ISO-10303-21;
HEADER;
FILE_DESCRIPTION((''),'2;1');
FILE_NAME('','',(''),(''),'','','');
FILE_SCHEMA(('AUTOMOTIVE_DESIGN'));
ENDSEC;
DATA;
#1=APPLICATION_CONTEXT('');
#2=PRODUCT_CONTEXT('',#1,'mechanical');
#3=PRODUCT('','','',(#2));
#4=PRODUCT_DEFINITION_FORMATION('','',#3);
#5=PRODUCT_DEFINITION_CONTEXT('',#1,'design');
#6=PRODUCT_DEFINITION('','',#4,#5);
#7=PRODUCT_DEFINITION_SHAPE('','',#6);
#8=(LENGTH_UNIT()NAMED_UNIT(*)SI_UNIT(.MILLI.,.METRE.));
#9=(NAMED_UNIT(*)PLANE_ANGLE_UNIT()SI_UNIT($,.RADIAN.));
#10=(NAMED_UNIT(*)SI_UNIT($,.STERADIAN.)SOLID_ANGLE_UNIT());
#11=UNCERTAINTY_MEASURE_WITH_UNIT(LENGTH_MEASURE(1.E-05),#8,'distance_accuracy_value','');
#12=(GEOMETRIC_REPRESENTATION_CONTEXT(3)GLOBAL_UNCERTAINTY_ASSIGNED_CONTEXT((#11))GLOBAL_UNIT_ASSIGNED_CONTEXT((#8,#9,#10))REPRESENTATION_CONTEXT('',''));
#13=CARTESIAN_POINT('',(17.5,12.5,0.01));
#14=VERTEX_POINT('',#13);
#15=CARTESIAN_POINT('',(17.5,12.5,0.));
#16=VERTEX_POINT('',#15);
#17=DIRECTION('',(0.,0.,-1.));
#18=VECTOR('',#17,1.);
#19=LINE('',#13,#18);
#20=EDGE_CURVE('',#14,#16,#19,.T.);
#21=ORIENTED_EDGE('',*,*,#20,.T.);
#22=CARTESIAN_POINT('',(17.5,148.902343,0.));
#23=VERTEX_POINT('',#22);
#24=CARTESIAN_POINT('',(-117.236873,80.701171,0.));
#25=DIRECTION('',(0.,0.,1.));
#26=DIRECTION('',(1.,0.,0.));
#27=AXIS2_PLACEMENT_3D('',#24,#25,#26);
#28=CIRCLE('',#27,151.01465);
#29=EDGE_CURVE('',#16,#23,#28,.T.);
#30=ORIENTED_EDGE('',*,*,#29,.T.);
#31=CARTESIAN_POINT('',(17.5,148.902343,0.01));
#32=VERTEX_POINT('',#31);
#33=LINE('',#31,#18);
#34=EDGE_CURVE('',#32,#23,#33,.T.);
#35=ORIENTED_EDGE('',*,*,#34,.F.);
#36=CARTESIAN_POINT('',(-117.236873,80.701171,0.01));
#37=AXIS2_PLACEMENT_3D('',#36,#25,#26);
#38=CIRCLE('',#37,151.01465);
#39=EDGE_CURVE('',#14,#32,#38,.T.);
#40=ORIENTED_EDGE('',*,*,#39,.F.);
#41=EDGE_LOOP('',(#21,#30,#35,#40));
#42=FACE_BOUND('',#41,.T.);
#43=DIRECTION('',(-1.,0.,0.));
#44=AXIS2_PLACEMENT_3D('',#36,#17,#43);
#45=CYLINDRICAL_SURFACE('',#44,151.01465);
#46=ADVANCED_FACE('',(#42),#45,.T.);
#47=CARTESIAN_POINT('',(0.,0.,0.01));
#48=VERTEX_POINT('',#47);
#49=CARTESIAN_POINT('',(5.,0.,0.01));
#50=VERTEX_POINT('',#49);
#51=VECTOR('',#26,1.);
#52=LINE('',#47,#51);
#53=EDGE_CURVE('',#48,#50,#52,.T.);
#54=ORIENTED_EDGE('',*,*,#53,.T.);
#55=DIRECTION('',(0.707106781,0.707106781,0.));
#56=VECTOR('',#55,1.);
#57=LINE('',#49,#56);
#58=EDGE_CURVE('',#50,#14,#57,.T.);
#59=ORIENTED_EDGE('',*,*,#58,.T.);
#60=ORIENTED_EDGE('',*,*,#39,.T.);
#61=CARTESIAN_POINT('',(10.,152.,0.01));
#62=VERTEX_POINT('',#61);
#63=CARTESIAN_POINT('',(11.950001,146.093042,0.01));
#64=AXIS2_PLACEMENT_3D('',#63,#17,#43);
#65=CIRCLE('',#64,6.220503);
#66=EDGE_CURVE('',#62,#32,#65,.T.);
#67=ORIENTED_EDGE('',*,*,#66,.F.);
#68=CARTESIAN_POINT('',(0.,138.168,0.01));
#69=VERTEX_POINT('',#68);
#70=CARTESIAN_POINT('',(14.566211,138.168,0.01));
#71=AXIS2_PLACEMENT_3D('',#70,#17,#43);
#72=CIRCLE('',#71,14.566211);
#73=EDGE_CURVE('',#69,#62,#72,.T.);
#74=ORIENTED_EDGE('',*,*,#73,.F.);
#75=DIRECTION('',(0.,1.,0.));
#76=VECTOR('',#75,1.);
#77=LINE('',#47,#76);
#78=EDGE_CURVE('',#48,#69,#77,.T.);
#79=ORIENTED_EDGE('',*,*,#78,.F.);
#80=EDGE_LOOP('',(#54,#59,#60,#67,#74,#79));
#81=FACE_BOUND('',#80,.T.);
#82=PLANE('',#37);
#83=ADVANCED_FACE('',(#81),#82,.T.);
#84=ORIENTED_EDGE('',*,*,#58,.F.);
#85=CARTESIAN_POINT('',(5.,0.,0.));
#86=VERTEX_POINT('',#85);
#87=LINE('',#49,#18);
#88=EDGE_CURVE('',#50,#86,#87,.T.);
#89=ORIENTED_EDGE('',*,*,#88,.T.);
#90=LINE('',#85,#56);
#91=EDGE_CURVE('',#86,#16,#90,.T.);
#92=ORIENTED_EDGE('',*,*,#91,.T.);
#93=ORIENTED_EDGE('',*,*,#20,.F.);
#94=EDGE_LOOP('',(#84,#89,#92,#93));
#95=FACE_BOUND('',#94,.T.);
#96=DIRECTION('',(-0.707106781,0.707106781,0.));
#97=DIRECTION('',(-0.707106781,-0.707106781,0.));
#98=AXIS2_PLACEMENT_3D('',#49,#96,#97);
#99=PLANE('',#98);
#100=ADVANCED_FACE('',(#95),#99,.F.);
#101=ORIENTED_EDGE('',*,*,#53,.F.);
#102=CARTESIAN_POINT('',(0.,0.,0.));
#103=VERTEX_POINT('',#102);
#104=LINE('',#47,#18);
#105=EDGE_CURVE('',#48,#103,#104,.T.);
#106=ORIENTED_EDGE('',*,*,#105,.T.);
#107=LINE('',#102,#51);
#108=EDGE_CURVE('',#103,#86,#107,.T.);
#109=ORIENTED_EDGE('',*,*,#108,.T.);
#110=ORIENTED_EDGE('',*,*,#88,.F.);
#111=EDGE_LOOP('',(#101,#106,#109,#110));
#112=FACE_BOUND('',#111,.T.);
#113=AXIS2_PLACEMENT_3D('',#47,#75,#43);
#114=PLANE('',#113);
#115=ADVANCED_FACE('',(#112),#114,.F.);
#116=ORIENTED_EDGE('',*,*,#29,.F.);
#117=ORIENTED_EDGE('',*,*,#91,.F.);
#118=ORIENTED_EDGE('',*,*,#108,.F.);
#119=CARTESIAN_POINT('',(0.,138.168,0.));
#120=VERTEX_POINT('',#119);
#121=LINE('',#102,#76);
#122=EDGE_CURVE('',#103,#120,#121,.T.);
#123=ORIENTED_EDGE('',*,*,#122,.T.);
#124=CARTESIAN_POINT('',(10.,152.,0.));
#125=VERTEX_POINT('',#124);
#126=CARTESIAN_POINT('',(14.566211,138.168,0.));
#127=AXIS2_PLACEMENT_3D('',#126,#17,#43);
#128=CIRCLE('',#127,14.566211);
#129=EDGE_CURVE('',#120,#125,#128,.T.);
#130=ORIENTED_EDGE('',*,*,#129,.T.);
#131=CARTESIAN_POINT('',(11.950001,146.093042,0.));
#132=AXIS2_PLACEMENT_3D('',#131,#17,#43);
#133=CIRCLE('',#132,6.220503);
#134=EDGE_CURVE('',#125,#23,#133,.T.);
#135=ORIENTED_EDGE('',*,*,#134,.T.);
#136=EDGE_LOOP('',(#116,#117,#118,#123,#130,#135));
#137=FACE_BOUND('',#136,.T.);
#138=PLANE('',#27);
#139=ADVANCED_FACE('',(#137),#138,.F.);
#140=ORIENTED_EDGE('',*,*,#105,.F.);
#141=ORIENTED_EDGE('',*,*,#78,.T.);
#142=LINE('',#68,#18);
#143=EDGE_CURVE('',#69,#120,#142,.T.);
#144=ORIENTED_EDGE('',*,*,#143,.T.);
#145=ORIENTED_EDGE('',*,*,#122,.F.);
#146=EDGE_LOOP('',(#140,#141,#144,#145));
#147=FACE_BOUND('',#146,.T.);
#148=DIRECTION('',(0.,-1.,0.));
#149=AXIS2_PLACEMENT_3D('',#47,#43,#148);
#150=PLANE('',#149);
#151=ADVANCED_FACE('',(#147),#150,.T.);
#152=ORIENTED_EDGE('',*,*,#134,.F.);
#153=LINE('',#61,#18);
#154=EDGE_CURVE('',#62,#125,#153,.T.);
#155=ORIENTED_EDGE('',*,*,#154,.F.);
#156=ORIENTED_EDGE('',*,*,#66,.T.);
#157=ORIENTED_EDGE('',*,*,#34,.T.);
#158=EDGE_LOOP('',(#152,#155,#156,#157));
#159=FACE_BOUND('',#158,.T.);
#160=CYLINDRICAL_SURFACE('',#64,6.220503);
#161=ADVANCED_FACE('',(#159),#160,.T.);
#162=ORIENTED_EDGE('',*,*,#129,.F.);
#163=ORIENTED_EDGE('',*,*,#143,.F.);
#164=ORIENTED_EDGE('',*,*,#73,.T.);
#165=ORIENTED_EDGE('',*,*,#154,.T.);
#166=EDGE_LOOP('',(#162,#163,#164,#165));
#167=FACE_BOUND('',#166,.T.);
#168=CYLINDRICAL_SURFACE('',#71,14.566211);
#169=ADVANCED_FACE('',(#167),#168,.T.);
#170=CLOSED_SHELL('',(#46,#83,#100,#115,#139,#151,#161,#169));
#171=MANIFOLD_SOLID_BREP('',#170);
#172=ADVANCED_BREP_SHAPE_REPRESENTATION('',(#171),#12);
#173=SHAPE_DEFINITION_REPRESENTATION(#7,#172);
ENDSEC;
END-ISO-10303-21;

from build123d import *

# Parameters (mm, degrees)
BOSS_EXTRUDE1_DEPTH = 0.01


with BuildPart() as part:
    # Sketch1 → Boss-Extrude1 (new body)
    with BuildSketch(Plane(origin=(0, 0, 0), x_dir=(0, 1, 0), z_dir=(0, 0, 1))):
        with BuildLine():
            Line((0, 0), (138.168, 0))
            ThreePointArc((138.168, 0), (146.702111319, -2.761828424), (152, -10))
            ThreePointArc((152, -10), (151.84245871, -14.324630773), (148.90234292, -17.5))
            ThreePointArc((148.90234292, -17.5), (80.70117146, -33.777777778), (12.5, -17.5))
            Line((12.5, -17.5), (0, -5))
            Line((0, -5), (0, 0))
        make_face()
    extrude(amount=BOSS_EXTRUDE1_DEPTH)


solid = part.part
